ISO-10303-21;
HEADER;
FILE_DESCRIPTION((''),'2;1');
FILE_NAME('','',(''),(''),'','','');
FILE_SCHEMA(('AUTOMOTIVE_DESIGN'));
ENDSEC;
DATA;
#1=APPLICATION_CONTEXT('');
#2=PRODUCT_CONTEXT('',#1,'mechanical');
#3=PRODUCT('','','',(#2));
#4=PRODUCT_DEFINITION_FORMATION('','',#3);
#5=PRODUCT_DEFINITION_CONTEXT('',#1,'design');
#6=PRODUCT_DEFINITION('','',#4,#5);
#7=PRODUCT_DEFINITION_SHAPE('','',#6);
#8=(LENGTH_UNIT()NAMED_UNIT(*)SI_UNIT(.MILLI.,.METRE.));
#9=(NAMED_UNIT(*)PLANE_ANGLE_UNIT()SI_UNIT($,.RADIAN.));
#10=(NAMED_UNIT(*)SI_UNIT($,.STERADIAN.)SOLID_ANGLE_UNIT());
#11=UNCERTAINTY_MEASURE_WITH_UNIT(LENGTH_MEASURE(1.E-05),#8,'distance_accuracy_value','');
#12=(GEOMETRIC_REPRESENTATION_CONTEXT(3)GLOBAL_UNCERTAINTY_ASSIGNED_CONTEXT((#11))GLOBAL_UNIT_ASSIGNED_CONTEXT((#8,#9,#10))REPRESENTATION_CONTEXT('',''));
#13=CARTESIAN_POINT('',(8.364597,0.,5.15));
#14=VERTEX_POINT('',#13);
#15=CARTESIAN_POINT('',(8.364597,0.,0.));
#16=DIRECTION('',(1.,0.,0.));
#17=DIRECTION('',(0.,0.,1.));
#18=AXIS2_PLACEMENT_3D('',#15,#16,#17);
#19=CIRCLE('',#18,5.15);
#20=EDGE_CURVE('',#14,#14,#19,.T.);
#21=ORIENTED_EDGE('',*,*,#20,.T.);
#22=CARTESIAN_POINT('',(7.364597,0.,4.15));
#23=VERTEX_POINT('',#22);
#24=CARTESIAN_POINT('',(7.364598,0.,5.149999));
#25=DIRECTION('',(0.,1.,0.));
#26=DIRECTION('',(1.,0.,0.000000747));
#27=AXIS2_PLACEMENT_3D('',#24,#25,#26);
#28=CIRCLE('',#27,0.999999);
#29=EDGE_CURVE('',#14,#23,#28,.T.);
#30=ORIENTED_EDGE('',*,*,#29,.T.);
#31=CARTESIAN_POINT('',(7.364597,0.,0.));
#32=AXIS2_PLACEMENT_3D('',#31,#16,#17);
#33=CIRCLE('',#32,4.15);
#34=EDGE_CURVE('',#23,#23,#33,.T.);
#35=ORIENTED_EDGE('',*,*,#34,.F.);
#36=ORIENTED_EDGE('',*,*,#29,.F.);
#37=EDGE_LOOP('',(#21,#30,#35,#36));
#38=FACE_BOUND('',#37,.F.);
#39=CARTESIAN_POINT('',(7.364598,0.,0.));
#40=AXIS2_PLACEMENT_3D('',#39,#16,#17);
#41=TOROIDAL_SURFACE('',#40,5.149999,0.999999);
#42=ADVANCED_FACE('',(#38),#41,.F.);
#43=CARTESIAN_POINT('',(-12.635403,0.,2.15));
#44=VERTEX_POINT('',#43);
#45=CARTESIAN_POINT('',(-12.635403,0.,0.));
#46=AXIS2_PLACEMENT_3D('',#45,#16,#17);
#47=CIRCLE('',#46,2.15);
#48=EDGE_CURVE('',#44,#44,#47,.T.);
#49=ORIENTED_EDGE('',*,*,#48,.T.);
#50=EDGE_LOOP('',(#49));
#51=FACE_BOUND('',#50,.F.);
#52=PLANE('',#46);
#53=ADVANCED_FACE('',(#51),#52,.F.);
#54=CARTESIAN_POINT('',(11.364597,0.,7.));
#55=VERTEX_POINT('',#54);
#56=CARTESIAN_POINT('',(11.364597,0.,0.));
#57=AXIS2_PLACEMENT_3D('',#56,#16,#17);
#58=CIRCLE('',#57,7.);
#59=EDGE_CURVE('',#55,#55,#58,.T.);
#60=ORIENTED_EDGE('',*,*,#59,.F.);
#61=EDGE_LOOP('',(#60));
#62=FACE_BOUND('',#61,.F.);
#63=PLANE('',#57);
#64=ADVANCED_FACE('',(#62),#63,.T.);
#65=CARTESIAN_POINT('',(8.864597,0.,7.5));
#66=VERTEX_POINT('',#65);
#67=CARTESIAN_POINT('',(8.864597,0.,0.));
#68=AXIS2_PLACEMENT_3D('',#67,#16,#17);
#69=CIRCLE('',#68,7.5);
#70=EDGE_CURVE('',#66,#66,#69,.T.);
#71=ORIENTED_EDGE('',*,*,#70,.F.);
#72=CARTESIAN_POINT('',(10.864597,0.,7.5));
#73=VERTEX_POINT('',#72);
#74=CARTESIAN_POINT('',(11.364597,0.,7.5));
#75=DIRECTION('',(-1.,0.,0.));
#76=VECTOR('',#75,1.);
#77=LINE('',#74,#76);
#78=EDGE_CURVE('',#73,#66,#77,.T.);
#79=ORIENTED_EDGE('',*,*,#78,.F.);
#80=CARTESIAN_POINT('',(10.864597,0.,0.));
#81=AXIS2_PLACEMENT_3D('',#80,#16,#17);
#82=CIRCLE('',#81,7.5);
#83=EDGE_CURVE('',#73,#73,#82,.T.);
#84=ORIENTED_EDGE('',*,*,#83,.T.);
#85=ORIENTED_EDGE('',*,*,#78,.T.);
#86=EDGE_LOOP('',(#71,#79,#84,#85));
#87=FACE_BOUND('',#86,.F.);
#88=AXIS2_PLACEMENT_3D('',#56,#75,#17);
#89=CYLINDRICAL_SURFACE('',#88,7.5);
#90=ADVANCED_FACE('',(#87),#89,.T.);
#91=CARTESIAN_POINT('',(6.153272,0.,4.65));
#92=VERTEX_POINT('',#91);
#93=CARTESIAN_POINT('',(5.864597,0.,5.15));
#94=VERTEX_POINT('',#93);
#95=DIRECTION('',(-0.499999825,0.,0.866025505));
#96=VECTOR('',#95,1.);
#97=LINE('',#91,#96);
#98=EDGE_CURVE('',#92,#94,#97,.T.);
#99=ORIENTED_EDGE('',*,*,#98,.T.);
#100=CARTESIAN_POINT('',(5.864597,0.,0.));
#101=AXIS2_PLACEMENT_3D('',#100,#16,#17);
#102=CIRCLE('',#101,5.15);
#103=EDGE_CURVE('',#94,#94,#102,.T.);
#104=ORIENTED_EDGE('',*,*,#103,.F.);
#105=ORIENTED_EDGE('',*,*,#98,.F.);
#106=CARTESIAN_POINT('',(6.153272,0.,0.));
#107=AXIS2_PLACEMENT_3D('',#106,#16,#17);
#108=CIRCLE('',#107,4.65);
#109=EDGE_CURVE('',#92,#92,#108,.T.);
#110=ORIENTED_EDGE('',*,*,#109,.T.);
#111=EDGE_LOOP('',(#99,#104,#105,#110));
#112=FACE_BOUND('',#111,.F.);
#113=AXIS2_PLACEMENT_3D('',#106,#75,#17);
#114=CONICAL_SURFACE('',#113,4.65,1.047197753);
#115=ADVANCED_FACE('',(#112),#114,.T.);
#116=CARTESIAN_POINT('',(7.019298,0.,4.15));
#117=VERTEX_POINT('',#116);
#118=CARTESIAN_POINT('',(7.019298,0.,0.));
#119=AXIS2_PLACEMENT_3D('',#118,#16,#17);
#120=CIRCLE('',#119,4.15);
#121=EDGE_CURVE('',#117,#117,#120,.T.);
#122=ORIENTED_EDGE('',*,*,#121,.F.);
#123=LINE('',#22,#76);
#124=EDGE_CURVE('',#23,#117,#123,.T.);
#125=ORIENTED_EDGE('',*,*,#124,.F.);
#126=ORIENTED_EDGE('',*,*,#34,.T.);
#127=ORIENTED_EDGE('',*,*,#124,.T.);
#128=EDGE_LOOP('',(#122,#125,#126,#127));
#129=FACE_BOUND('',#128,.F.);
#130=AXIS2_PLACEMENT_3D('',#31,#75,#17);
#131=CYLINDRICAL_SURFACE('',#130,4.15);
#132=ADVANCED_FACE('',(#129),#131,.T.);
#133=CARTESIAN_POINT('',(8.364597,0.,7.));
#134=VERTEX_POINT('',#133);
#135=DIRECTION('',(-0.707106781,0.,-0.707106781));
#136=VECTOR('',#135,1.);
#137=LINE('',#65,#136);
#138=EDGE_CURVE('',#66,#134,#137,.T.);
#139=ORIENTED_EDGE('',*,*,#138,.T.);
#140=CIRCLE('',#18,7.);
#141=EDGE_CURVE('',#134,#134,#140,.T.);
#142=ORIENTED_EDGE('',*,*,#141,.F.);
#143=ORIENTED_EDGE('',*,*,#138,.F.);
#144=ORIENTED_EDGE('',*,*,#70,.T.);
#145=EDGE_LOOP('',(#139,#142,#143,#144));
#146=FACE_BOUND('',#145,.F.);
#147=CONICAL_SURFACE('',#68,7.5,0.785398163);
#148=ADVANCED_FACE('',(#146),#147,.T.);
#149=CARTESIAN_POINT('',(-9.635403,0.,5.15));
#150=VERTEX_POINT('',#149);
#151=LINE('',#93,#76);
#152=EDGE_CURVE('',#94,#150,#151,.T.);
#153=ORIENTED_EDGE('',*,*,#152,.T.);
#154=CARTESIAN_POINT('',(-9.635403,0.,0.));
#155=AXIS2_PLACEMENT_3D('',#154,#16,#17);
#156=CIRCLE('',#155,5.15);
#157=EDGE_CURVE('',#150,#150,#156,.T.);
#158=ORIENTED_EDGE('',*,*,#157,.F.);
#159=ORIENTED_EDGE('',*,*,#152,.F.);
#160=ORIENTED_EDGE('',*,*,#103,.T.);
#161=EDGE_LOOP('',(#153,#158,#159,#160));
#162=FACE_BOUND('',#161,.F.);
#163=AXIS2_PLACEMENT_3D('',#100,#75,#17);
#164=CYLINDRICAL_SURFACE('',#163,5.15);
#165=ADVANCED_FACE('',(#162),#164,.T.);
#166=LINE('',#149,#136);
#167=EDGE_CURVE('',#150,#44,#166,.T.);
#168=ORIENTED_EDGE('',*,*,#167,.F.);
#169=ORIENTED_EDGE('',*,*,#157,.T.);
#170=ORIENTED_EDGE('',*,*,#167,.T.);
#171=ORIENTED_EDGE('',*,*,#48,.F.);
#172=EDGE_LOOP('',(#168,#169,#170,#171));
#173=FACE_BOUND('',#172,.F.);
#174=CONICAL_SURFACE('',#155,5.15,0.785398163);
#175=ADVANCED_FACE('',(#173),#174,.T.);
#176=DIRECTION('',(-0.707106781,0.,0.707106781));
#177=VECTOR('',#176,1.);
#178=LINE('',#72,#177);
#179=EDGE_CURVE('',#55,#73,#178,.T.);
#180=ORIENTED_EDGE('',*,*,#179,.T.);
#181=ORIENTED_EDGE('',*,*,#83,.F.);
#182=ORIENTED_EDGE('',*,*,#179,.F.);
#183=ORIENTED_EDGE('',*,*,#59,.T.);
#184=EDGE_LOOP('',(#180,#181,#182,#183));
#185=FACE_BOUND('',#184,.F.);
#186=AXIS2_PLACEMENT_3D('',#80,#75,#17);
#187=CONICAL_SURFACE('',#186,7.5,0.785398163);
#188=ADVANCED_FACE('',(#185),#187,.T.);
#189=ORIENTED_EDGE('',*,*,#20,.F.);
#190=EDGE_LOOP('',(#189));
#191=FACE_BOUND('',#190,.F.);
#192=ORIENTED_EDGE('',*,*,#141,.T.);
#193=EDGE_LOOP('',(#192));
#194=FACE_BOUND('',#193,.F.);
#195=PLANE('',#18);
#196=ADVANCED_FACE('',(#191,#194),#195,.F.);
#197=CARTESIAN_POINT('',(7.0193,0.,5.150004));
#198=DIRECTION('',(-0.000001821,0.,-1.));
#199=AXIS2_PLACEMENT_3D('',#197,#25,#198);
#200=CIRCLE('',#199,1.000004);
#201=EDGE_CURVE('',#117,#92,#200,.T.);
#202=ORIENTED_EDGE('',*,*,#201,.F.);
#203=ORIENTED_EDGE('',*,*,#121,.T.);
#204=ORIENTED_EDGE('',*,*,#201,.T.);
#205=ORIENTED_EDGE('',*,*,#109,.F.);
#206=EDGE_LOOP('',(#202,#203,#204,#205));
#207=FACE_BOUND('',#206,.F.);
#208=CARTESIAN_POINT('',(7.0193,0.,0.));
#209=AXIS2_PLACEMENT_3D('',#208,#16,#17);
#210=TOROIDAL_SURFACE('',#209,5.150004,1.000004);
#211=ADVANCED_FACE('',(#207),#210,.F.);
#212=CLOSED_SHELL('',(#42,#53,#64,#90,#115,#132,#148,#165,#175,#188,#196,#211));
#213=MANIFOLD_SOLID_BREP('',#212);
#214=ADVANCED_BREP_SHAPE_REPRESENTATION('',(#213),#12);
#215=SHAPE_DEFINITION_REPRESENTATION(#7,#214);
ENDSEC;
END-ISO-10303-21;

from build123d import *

# Parameters (mm, degrees)
F2_SIZE = 0.5
F3_SIZE = 3


with BuildPart() as f1:
    # F0 (on Front) → F1 (revolve)
    with BuildSketch(Plane.XZ):
        with BuildLine():
            Line((-12.635403, 5.15), (-12.635403, 0))
            Line((-12.635403, 0), (11.364597, 0))
            Line((11.364597, 0), (11.364597, 7.5))
            Line((11.364597, 7.5), (8.364597, 7.5))
            Line((8.364597, 7.5), (8.364597, 5.15))
            ThreePointArc((8.364597, 5.15), (8.071704, 4.442893), (7.364597, 4.15))
            Line((7.364597, 4.15), (7.019298, 4.15))
            ThreePointArc((7.019298, 4.15), (6.519298, 4.283975), (6.153272, 4.65))
            Line((6.153272, 4.65), (5.864597, 5.15))
            Line((5.864597, 5.15), (-12.635403, 5.15))
        make_face()
    revolve(axis=Axis((-0.635403, 0, 0), (1, 0, 0)))

    # F2
    f2_edges = [f1.edges().sort_by_distance(p)[0] for p in [
        (11.364597, 0, -7.5),
        (8.364597, 0, -7.5),
    ]]
    chamfer(f2_edges, length=F2_SIZE)

    # F3
    f3_edges = [f1.edges().sort_by_distance(p)[0] for p in [
        (-12.635403, 0, -5.15),
    ]]
    chamfer(f3_edges, length=F3_SIZE)


solid = f1.part
